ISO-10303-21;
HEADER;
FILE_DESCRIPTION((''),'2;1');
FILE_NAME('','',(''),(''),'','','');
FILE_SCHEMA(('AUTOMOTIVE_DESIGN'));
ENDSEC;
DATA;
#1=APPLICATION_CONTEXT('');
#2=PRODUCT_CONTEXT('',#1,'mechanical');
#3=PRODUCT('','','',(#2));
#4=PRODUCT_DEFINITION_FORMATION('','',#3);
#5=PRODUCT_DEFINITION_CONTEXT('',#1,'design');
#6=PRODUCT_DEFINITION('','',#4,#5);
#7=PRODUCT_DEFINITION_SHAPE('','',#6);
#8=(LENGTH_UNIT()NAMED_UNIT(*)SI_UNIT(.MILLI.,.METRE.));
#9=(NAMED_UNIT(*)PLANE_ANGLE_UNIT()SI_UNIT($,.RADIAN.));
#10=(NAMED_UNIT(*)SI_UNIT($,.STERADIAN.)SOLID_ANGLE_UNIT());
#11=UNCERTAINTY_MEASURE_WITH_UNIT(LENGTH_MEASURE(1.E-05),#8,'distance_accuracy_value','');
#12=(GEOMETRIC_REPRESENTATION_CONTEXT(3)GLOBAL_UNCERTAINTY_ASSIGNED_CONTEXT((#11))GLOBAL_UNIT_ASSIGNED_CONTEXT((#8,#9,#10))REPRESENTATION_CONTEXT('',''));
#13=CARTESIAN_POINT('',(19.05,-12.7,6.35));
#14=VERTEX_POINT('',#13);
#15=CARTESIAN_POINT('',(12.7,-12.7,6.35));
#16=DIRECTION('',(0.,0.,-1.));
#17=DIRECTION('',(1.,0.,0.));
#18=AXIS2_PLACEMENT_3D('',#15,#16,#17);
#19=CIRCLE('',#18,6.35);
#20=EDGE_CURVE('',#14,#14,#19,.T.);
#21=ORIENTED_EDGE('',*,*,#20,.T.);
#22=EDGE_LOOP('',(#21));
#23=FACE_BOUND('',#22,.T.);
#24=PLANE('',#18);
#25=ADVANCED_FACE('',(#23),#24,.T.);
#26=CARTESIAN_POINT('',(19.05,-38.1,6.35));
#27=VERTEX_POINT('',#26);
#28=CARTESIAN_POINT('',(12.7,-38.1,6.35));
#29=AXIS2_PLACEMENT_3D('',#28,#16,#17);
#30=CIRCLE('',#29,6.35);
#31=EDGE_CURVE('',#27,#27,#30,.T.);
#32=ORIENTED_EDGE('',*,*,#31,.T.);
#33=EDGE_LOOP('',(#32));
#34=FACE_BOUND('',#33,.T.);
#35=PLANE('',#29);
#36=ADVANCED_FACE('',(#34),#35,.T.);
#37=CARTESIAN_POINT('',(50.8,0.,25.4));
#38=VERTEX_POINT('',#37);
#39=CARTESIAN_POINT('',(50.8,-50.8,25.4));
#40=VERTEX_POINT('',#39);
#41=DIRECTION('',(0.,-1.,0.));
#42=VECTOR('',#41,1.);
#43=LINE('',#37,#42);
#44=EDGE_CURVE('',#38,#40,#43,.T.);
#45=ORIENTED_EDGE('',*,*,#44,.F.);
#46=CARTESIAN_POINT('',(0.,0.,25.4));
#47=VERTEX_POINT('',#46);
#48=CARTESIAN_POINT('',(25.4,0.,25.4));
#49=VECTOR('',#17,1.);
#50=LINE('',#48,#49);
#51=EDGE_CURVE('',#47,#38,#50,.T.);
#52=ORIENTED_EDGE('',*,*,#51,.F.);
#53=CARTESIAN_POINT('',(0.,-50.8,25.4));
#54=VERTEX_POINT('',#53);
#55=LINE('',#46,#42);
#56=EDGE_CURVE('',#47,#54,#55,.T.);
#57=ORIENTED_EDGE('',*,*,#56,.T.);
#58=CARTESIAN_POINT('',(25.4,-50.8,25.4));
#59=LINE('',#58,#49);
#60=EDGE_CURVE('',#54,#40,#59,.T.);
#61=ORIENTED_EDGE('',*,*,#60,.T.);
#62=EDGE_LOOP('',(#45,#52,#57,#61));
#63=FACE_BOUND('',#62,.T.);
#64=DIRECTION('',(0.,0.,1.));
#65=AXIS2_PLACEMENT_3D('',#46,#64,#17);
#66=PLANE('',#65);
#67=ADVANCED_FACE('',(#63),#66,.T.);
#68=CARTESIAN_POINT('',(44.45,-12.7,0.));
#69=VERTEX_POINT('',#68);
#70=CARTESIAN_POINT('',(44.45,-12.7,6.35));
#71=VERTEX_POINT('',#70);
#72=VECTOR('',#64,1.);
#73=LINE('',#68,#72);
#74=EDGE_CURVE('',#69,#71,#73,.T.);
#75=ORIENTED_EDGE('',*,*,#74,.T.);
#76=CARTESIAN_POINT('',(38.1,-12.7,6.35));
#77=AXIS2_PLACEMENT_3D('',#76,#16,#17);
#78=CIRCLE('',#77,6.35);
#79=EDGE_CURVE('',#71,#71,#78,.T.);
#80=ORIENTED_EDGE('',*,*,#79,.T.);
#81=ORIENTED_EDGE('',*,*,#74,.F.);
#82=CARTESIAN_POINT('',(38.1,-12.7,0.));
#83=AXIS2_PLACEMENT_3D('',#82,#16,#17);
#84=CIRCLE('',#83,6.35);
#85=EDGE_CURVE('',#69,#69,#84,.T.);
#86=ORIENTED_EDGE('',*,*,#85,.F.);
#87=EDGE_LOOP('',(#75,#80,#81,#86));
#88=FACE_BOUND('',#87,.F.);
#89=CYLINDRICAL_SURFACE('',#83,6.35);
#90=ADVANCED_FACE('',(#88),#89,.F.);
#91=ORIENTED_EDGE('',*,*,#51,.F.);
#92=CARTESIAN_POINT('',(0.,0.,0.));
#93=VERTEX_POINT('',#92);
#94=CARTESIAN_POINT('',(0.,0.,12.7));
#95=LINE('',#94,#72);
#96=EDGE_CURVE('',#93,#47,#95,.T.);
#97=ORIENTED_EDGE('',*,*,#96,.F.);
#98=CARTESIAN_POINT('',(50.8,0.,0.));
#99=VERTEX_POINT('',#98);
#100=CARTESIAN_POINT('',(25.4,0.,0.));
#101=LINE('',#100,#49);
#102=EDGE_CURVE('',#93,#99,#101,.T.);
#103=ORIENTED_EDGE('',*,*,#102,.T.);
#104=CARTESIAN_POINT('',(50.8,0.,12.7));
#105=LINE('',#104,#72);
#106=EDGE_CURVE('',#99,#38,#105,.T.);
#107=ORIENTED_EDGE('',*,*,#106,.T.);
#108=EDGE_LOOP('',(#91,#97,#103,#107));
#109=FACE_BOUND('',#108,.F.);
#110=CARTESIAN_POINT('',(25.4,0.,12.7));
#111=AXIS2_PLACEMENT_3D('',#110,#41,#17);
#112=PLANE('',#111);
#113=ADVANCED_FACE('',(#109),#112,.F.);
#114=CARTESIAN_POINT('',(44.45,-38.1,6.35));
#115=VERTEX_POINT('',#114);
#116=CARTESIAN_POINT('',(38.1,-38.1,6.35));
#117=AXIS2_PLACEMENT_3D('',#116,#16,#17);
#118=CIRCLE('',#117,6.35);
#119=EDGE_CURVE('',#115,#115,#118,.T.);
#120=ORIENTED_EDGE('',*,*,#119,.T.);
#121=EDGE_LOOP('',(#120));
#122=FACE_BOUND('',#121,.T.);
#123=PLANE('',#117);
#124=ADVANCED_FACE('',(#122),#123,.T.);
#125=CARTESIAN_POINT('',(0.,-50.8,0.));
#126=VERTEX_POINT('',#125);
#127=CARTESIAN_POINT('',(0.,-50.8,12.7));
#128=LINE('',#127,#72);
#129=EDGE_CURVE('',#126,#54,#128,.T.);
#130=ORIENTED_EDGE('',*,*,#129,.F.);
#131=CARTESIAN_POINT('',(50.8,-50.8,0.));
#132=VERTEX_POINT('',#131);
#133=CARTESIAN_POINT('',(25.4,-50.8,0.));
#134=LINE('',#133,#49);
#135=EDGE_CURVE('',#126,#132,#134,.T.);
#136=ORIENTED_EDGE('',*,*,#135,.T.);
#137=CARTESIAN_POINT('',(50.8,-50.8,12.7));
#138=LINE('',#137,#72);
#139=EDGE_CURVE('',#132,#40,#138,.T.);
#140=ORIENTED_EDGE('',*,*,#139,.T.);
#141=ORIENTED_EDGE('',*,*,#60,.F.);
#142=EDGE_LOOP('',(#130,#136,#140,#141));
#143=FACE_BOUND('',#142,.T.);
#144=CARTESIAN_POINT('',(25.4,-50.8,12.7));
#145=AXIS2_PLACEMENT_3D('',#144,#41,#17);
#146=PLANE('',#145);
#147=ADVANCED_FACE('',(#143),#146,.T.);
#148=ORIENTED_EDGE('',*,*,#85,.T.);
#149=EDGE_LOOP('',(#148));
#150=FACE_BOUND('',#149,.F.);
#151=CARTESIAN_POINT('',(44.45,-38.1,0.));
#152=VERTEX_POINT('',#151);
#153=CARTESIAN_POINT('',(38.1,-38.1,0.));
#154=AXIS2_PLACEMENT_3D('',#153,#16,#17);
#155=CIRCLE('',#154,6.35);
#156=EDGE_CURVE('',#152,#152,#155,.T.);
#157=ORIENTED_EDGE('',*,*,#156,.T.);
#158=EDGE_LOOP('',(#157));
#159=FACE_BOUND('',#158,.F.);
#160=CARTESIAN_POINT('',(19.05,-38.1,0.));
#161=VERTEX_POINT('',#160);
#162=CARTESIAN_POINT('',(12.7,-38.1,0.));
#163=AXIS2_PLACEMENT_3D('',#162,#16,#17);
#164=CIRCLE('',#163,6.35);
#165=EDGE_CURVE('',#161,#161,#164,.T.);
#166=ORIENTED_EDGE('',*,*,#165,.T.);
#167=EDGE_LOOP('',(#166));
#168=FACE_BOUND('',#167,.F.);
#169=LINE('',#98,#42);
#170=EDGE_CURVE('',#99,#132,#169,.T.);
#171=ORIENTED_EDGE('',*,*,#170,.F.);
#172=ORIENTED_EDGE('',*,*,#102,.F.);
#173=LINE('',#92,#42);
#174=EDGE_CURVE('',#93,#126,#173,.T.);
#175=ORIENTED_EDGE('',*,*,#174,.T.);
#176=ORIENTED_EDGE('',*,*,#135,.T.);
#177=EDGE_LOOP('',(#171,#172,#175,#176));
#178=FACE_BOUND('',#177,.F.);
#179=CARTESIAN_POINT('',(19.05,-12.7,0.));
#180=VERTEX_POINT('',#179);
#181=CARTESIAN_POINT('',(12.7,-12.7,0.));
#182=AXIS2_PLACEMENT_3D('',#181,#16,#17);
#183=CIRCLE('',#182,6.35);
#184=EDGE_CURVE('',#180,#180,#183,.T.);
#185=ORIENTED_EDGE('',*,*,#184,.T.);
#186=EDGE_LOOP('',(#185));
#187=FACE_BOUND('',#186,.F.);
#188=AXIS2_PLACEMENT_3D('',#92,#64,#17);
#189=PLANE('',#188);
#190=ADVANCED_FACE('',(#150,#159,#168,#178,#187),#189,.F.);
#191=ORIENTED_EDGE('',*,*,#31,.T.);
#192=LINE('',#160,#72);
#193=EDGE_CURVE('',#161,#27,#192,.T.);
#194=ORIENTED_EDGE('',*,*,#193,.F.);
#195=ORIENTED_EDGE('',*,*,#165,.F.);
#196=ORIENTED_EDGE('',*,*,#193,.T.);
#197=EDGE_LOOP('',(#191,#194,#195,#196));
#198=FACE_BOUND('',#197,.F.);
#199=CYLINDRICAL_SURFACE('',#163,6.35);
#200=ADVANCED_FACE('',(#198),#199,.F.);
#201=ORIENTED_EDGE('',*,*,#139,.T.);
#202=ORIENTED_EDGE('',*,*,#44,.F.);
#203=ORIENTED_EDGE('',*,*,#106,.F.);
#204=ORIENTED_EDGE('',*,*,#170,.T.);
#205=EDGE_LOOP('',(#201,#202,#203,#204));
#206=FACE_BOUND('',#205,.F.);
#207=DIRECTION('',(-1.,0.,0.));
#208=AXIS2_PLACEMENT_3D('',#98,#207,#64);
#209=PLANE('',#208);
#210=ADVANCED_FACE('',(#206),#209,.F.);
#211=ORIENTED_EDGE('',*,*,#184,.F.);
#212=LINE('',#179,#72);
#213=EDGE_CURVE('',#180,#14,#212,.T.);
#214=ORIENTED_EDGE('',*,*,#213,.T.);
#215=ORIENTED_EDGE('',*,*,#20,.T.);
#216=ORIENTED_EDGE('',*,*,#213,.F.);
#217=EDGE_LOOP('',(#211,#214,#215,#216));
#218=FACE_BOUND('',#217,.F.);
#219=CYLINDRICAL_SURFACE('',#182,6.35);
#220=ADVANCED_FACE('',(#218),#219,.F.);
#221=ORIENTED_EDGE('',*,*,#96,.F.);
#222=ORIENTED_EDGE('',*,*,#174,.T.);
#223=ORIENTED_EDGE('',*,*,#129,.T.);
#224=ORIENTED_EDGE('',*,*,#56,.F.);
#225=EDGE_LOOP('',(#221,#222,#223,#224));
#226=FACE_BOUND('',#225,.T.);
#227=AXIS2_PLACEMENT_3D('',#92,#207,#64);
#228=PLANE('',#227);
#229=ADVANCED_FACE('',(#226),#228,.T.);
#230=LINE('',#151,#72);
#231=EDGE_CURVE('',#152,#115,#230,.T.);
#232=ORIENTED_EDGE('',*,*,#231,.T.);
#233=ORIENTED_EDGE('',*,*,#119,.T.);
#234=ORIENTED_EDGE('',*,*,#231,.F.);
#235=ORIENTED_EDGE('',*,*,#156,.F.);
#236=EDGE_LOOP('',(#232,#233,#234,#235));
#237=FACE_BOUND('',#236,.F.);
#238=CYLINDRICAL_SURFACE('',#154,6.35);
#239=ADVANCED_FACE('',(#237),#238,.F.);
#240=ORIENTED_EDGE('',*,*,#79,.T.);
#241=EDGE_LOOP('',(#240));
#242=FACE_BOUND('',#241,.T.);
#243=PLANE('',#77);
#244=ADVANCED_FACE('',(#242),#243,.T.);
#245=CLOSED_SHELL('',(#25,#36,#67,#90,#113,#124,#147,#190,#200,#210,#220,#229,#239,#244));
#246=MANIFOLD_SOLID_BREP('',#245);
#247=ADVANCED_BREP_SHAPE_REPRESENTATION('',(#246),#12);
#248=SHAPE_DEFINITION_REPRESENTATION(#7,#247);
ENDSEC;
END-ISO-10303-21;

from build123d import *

# Parameters (mm, degrees)
F0_W     = 50.8
F0_H     = 25.4
F1_DEPTH = 50.8
F2_R     = 6.35
F3_DEPTH = 6.35


with BuildPart() as f1:
    # F0 (on Front) → F1 (new body)
    with BuildSketch(Plane.XZ):
        with Locations((25.4, 12.7)):
            Rectangle(F0_W, F0_H)
    extrude(amount=F1_DEPTH)

    # F2 (on face) → F3 (cut)
    with BuildSketch(Plane(origin=(0, 0, 0), x_dir=(1, 0, 0), z_dir=(0, 0, -1))):
        with Locations((12.7, 38.1)):
            Circle(F2_R)
        with Locations((12.7, 12.7)):
            Circle(F2_R)
        with Locations((38.1, 12.7)):
            Circle(F2_R)
        with Locations((38.1, 38.1)):
            Circle(F2_R)
    extrude(amount=-F3_DEPTH, mode=Mode.SUBTRACT)


solid = f1.part
